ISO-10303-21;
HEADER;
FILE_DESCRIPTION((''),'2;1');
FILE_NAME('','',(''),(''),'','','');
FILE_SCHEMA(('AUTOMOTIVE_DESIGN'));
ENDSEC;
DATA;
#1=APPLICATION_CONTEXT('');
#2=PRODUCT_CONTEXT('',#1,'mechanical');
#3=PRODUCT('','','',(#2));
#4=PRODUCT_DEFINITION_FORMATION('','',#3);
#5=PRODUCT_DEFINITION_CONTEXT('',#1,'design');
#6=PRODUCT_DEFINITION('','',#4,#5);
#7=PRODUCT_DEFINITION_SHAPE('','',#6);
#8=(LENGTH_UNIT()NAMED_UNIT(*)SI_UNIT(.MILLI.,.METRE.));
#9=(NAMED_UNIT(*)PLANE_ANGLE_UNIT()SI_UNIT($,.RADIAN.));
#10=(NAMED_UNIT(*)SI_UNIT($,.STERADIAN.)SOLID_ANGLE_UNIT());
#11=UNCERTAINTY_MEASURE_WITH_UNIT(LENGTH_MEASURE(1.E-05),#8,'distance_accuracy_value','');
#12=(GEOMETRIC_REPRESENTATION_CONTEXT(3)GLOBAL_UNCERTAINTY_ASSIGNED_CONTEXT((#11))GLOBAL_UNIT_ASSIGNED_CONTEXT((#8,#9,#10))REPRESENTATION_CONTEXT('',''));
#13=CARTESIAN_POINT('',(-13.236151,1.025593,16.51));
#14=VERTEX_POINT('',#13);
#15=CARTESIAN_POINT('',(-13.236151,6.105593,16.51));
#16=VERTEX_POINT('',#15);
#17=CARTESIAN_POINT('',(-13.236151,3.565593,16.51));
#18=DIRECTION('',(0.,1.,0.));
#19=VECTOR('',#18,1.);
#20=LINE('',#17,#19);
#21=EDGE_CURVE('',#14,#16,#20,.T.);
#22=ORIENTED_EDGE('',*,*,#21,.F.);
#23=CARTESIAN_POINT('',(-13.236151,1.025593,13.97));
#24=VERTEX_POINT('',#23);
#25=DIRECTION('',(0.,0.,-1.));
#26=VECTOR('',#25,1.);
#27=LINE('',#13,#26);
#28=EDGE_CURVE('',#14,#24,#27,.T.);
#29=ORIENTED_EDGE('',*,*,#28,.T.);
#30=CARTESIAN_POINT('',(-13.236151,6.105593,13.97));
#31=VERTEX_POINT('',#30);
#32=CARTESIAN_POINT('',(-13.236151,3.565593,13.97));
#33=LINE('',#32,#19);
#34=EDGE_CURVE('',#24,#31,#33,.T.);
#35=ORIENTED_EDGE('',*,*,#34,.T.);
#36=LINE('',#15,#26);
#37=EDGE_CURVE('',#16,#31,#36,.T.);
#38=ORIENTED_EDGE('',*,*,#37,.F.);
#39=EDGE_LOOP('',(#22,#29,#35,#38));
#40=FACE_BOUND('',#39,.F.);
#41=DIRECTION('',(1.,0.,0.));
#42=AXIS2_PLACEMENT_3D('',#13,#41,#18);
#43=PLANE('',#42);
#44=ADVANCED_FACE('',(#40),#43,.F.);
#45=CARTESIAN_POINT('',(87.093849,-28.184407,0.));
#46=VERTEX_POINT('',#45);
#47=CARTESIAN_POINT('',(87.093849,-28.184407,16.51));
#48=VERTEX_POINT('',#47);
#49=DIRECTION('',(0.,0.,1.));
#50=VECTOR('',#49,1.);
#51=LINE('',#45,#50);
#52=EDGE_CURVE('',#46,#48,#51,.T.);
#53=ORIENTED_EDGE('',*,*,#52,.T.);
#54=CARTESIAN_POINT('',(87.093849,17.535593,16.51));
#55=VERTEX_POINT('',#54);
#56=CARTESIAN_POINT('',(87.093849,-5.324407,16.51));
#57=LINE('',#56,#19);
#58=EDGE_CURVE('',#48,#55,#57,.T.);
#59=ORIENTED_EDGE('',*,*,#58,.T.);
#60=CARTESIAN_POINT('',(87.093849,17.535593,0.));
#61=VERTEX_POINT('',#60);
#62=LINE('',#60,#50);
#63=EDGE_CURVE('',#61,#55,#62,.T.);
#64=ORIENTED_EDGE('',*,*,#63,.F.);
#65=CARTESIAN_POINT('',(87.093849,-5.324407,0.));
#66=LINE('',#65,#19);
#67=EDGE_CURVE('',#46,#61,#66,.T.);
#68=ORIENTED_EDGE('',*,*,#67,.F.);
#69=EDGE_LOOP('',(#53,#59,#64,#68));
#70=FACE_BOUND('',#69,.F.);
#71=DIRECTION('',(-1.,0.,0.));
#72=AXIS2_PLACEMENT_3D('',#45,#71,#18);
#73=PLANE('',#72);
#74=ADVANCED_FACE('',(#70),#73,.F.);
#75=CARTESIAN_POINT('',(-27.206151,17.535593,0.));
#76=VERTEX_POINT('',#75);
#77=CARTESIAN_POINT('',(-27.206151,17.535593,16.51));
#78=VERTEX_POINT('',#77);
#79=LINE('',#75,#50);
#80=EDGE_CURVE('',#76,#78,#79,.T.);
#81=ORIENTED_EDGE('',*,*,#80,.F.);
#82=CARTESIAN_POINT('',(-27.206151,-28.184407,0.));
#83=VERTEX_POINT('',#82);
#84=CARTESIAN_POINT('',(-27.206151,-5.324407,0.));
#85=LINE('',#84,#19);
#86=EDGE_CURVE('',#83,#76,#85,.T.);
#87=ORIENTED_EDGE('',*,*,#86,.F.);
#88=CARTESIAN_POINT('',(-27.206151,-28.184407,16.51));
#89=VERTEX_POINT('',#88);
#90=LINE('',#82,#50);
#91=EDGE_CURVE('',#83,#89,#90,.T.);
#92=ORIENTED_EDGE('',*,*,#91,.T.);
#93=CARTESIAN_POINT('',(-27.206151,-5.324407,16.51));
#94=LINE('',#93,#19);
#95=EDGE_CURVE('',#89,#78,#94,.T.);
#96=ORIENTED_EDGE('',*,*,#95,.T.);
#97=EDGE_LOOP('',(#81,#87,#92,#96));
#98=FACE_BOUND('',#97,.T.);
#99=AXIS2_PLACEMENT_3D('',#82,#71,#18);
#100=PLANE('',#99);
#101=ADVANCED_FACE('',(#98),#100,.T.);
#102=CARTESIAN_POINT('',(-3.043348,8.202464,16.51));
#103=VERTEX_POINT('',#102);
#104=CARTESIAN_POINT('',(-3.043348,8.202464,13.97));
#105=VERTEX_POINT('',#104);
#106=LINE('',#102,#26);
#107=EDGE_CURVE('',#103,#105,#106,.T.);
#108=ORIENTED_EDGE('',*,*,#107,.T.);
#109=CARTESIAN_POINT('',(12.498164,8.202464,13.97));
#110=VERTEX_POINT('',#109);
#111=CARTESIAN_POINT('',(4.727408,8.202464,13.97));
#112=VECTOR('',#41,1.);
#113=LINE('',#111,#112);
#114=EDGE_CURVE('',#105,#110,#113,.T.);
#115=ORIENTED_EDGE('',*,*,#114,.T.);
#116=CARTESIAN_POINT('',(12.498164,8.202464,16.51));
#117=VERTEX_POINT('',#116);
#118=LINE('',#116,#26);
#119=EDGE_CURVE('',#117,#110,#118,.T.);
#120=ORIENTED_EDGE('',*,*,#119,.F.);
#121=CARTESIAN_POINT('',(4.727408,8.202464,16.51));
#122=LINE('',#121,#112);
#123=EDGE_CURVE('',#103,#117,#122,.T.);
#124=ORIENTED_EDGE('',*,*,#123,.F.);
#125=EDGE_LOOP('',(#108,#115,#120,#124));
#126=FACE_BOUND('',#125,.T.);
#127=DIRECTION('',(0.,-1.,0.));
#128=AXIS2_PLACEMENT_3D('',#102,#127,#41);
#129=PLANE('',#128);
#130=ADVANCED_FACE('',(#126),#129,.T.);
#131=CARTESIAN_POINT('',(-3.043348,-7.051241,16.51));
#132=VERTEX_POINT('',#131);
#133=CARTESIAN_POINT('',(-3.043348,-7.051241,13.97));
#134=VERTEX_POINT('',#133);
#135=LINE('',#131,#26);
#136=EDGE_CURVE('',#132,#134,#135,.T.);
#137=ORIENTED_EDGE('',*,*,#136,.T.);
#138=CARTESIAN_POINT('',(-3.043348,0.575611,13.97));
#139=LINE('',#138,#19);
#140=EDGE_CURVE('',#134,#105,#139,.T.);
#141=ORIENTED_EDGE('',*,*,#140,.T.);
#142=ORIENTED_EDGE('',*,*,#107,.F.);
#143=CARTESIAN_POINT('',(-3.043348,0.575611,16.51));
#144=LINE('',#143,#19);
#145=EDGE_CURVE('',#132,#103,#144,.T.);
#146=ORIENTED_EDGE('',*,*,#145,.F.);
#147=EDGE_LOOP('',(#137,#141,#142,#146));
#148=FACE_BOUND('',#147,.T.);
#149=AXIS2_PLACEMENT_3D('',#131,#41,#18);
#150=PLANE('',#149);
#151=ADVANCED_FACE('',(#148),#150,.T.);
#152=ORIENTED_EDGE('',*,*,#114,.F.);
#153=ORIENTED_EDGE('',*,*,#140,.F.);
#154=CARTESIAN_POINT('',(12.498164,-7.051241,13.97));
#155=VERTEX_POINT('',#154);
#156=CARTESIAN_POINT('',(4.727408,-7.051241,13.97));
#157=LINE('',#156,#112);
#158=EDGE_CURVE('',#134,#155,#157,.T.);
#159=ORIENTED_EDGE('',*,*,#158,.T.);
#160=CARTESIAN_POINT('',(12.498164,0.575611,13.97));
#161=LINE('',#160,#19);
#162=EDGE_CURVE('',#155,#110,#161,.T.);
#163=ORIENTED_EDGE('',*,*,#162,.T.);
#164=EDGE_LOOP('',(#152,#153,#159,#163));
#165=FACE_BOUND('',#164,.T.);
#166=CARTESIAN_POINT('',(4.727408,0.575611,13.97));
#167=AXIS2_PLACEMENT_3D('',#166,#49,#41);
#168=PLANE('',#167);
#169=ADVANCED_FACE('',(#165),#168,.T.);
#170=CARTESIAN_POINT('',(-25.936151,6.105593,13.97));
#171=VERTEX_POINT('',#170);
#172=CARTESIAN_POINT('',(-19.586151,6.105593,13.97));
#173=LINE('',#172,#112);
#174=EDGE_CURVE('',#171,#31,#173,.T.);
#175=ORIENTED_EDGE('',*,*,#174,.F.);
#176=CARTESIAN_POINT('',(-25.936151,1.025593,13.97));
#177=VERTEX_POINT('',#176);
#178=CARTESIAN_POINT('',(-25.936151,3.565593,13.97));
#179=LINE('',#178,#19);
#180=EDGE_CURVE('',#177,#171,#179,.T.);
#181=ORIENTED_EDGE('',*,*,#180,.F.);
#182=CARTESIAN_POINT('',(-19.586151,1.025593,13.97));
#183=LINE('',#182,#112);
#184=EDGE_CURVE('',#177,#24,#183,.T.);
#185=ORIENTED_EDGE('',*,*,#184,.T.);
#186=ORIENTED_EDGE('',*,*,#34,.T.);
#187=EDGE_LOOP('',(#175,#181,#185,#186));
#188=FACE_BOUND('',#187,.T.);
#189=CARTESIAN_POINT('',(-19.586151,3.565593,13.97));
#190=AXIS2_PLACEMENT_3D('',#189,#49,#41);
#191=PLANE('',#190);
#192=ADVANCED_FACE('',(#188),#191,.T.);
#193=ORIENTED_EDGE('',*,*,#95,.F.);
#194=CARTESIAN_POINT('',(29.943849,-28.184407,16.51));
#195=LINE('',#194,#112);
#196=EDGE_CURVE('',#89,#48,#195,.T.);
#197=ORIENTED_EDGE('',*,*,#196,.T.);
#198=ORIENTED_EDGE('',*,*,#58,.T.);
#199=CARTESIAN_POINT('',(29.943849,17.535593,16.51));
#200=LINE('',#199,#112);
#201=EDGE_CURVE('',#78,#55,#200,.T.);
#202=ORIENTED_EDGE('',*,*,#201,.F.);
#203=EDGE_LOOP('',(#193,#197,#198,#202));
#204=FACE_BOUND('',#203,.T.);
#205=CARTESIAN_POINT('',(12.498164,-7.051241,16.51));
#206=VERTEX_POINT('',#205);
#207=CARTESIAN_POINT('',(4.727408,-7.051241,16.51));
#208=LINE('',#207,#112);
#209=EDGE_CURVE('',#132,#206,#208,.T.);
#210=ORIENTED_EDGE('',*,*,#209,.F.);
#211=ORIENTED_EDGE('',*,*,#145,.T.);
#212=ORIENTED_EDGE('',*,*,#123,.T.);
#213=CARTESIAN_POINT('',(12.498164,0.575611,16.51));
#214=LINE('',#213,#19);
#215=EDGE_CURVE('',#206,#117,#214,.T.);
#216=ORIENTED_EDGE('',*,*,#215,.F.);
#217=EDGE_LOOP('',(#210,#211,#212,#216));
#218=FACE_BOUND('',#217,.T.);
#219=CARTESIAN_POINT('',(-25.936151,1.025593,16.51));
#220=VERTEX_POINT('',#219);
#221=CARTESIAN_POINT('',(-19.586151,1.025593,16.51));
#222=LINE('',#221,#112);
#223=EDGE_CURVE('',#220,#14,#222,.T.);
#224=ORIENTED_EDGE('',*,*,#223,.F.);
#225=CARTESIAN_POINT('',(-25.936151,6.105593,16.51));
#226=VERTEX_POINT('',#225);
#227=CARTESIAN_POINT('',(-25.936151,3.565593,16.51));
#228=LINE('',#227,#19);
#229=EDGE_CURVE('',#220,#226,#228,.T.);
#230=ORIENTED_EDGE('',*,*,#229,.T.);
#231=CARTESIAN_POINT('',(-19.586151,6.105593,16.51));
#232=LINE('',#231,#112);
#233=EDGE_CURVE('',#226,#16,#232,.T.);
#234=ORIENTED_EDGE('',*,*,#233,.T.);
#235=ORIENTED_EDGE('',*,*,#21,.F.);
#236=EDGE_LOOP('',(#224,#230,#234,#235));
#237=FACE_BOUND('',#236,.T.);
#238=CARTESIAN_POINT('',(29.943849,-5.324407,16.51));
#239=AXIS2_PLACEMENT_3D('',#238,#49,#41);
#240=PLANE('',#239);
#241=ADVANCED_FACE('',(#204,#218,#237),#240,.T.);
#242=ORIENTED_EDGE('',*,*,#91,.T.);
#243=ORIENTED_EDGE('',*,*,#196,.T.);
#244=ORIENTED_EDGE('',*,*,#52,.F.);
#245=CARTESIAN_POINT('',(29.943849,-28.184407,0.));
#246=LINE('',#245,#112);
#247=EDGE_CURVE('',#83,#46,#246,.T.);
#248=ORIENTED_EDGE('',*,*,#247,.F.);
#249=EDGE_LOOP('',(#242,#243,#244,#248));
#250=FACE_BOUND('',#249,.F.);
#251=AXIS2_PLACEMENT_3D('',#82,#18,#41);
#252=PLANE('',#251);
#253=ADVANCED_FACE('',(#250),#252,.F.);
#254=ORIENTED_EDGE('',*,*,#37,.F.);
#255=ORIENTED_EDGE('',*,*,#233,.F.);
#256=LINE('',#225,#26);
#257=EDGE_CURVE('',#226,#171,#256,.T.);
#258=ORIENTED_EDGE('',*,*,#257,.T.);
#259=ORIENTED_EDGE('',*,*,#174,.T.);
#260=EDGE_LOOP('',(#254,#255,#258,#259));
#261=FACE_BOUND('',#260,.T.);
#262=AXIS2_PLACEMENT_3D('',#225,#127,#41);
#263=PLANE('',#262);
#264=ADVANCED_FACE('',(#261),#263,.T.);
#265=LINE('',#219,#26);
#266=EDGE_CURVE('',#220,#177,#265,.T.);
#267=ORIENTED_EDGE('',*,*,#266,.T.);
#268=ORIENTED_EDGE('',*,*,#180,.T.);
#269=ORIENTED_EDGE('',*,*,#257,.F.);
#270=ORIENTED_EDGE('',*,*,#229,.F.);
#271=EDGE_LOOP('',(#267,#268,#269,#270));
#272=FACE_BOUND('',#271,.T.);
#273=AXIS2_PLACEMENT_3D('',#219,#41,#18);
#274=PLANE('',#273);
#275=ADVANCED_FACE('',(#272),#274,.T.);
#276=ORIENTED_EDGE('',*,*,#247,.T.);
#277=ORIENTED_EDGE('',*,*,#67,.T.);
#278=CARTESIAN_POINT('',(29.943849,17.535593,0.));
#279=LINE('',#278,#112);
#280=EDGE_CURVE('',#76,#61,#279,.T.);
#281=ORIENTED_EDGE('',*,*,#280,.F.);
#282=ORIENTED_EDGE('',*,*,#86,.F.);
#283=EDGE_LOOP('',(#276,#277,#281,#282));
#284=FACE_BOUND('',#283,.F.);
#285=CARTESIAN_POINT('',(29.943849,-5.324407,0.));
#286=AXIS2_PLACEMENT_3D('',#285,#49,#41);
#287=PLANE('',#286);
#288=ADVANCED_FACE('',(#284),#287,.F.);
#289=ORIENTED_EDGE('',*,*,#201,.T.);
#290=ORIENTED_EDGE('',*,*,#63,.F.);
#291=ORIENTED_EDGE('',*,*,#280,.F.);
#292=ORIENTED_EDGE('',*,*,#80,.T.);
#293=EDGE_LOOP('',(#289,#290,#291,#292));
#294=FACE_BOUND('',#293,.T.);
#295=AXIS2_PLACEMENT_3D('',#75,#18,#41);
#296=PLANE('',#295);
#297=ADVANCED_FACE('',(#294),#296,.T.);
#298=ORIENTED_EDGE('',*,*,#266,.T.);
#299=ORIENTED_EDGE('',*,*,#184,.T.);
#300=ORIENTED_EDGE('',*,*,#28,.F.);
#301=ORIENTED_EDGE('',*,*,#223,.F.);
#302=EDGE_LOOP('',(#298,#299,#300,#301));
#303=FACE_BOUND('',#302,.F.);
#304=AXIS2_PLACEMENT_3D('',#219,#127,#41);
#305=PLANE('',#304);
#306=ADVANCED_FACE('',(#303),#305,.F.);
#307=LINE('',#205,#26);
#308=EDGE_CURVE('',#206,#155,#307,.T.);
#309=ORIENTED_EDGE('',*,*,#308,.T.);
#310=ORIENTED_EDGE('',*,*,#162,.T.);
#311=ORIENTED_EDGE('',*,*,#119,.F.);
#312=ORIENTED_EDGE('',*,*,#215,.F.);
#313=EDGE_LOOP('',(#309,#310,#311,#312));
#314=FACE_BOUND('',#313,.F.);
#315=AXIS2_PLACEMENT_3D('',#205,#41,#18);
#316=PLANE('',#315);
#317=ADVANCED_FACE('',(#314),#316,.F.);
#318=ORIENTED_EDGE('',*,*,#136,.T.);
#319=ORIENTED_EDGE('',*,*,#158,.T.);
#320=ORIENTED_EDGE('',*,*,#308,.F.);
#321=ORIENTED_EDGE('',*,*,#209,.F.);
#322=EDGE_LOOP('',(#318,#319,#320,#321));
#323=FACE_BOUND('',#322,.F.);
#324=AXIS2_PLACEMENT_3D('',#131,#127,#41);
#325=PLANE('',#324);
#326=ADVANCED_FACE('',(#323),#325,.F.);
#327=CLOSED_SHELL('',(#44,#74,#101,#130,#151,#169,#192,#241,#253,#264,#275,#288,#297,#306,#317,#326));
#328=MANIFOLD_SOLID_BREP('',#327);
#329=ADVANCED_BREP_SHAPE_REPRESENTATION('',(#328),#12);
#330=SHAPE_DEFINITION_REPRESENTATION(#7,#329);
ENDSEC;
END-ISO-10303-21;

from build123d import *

# Parameters (mm, degrees)
F0_W     = 114.3
F0_H     = 45.72
F1_DEPTH = 16.51
F2_W     = 12.7
F2_H     = 5.08
F2_W_2   = 15.541512
F2_H_2   = 15.253705
F3_DEPTH = 2.54


with BuildPart() as f1:
    # F0 (on Top) → F1 (new body)
    with BuildSketch(Plane.XY):
        with Locations((29.943849, -5.324407)):
            Rectangle(F0_W, F0_H)
    extrude(amount=F1_DEPTH)

    # F2 (on face) → F3 (cut)
    with BuildSketch(Plane.XY.offset(16.51)):
        with Locations((-19.586151, 3.565593)):
            Rectangle(F2_W, F2_H)
        with Locations((4.727408, 0.575611)):
            Rectangle(F2_W_2, F2_H_2)
    extrude(amount=-F3_DEPTH, mode=Mode.SUBTRACT)


solid = f1.part
